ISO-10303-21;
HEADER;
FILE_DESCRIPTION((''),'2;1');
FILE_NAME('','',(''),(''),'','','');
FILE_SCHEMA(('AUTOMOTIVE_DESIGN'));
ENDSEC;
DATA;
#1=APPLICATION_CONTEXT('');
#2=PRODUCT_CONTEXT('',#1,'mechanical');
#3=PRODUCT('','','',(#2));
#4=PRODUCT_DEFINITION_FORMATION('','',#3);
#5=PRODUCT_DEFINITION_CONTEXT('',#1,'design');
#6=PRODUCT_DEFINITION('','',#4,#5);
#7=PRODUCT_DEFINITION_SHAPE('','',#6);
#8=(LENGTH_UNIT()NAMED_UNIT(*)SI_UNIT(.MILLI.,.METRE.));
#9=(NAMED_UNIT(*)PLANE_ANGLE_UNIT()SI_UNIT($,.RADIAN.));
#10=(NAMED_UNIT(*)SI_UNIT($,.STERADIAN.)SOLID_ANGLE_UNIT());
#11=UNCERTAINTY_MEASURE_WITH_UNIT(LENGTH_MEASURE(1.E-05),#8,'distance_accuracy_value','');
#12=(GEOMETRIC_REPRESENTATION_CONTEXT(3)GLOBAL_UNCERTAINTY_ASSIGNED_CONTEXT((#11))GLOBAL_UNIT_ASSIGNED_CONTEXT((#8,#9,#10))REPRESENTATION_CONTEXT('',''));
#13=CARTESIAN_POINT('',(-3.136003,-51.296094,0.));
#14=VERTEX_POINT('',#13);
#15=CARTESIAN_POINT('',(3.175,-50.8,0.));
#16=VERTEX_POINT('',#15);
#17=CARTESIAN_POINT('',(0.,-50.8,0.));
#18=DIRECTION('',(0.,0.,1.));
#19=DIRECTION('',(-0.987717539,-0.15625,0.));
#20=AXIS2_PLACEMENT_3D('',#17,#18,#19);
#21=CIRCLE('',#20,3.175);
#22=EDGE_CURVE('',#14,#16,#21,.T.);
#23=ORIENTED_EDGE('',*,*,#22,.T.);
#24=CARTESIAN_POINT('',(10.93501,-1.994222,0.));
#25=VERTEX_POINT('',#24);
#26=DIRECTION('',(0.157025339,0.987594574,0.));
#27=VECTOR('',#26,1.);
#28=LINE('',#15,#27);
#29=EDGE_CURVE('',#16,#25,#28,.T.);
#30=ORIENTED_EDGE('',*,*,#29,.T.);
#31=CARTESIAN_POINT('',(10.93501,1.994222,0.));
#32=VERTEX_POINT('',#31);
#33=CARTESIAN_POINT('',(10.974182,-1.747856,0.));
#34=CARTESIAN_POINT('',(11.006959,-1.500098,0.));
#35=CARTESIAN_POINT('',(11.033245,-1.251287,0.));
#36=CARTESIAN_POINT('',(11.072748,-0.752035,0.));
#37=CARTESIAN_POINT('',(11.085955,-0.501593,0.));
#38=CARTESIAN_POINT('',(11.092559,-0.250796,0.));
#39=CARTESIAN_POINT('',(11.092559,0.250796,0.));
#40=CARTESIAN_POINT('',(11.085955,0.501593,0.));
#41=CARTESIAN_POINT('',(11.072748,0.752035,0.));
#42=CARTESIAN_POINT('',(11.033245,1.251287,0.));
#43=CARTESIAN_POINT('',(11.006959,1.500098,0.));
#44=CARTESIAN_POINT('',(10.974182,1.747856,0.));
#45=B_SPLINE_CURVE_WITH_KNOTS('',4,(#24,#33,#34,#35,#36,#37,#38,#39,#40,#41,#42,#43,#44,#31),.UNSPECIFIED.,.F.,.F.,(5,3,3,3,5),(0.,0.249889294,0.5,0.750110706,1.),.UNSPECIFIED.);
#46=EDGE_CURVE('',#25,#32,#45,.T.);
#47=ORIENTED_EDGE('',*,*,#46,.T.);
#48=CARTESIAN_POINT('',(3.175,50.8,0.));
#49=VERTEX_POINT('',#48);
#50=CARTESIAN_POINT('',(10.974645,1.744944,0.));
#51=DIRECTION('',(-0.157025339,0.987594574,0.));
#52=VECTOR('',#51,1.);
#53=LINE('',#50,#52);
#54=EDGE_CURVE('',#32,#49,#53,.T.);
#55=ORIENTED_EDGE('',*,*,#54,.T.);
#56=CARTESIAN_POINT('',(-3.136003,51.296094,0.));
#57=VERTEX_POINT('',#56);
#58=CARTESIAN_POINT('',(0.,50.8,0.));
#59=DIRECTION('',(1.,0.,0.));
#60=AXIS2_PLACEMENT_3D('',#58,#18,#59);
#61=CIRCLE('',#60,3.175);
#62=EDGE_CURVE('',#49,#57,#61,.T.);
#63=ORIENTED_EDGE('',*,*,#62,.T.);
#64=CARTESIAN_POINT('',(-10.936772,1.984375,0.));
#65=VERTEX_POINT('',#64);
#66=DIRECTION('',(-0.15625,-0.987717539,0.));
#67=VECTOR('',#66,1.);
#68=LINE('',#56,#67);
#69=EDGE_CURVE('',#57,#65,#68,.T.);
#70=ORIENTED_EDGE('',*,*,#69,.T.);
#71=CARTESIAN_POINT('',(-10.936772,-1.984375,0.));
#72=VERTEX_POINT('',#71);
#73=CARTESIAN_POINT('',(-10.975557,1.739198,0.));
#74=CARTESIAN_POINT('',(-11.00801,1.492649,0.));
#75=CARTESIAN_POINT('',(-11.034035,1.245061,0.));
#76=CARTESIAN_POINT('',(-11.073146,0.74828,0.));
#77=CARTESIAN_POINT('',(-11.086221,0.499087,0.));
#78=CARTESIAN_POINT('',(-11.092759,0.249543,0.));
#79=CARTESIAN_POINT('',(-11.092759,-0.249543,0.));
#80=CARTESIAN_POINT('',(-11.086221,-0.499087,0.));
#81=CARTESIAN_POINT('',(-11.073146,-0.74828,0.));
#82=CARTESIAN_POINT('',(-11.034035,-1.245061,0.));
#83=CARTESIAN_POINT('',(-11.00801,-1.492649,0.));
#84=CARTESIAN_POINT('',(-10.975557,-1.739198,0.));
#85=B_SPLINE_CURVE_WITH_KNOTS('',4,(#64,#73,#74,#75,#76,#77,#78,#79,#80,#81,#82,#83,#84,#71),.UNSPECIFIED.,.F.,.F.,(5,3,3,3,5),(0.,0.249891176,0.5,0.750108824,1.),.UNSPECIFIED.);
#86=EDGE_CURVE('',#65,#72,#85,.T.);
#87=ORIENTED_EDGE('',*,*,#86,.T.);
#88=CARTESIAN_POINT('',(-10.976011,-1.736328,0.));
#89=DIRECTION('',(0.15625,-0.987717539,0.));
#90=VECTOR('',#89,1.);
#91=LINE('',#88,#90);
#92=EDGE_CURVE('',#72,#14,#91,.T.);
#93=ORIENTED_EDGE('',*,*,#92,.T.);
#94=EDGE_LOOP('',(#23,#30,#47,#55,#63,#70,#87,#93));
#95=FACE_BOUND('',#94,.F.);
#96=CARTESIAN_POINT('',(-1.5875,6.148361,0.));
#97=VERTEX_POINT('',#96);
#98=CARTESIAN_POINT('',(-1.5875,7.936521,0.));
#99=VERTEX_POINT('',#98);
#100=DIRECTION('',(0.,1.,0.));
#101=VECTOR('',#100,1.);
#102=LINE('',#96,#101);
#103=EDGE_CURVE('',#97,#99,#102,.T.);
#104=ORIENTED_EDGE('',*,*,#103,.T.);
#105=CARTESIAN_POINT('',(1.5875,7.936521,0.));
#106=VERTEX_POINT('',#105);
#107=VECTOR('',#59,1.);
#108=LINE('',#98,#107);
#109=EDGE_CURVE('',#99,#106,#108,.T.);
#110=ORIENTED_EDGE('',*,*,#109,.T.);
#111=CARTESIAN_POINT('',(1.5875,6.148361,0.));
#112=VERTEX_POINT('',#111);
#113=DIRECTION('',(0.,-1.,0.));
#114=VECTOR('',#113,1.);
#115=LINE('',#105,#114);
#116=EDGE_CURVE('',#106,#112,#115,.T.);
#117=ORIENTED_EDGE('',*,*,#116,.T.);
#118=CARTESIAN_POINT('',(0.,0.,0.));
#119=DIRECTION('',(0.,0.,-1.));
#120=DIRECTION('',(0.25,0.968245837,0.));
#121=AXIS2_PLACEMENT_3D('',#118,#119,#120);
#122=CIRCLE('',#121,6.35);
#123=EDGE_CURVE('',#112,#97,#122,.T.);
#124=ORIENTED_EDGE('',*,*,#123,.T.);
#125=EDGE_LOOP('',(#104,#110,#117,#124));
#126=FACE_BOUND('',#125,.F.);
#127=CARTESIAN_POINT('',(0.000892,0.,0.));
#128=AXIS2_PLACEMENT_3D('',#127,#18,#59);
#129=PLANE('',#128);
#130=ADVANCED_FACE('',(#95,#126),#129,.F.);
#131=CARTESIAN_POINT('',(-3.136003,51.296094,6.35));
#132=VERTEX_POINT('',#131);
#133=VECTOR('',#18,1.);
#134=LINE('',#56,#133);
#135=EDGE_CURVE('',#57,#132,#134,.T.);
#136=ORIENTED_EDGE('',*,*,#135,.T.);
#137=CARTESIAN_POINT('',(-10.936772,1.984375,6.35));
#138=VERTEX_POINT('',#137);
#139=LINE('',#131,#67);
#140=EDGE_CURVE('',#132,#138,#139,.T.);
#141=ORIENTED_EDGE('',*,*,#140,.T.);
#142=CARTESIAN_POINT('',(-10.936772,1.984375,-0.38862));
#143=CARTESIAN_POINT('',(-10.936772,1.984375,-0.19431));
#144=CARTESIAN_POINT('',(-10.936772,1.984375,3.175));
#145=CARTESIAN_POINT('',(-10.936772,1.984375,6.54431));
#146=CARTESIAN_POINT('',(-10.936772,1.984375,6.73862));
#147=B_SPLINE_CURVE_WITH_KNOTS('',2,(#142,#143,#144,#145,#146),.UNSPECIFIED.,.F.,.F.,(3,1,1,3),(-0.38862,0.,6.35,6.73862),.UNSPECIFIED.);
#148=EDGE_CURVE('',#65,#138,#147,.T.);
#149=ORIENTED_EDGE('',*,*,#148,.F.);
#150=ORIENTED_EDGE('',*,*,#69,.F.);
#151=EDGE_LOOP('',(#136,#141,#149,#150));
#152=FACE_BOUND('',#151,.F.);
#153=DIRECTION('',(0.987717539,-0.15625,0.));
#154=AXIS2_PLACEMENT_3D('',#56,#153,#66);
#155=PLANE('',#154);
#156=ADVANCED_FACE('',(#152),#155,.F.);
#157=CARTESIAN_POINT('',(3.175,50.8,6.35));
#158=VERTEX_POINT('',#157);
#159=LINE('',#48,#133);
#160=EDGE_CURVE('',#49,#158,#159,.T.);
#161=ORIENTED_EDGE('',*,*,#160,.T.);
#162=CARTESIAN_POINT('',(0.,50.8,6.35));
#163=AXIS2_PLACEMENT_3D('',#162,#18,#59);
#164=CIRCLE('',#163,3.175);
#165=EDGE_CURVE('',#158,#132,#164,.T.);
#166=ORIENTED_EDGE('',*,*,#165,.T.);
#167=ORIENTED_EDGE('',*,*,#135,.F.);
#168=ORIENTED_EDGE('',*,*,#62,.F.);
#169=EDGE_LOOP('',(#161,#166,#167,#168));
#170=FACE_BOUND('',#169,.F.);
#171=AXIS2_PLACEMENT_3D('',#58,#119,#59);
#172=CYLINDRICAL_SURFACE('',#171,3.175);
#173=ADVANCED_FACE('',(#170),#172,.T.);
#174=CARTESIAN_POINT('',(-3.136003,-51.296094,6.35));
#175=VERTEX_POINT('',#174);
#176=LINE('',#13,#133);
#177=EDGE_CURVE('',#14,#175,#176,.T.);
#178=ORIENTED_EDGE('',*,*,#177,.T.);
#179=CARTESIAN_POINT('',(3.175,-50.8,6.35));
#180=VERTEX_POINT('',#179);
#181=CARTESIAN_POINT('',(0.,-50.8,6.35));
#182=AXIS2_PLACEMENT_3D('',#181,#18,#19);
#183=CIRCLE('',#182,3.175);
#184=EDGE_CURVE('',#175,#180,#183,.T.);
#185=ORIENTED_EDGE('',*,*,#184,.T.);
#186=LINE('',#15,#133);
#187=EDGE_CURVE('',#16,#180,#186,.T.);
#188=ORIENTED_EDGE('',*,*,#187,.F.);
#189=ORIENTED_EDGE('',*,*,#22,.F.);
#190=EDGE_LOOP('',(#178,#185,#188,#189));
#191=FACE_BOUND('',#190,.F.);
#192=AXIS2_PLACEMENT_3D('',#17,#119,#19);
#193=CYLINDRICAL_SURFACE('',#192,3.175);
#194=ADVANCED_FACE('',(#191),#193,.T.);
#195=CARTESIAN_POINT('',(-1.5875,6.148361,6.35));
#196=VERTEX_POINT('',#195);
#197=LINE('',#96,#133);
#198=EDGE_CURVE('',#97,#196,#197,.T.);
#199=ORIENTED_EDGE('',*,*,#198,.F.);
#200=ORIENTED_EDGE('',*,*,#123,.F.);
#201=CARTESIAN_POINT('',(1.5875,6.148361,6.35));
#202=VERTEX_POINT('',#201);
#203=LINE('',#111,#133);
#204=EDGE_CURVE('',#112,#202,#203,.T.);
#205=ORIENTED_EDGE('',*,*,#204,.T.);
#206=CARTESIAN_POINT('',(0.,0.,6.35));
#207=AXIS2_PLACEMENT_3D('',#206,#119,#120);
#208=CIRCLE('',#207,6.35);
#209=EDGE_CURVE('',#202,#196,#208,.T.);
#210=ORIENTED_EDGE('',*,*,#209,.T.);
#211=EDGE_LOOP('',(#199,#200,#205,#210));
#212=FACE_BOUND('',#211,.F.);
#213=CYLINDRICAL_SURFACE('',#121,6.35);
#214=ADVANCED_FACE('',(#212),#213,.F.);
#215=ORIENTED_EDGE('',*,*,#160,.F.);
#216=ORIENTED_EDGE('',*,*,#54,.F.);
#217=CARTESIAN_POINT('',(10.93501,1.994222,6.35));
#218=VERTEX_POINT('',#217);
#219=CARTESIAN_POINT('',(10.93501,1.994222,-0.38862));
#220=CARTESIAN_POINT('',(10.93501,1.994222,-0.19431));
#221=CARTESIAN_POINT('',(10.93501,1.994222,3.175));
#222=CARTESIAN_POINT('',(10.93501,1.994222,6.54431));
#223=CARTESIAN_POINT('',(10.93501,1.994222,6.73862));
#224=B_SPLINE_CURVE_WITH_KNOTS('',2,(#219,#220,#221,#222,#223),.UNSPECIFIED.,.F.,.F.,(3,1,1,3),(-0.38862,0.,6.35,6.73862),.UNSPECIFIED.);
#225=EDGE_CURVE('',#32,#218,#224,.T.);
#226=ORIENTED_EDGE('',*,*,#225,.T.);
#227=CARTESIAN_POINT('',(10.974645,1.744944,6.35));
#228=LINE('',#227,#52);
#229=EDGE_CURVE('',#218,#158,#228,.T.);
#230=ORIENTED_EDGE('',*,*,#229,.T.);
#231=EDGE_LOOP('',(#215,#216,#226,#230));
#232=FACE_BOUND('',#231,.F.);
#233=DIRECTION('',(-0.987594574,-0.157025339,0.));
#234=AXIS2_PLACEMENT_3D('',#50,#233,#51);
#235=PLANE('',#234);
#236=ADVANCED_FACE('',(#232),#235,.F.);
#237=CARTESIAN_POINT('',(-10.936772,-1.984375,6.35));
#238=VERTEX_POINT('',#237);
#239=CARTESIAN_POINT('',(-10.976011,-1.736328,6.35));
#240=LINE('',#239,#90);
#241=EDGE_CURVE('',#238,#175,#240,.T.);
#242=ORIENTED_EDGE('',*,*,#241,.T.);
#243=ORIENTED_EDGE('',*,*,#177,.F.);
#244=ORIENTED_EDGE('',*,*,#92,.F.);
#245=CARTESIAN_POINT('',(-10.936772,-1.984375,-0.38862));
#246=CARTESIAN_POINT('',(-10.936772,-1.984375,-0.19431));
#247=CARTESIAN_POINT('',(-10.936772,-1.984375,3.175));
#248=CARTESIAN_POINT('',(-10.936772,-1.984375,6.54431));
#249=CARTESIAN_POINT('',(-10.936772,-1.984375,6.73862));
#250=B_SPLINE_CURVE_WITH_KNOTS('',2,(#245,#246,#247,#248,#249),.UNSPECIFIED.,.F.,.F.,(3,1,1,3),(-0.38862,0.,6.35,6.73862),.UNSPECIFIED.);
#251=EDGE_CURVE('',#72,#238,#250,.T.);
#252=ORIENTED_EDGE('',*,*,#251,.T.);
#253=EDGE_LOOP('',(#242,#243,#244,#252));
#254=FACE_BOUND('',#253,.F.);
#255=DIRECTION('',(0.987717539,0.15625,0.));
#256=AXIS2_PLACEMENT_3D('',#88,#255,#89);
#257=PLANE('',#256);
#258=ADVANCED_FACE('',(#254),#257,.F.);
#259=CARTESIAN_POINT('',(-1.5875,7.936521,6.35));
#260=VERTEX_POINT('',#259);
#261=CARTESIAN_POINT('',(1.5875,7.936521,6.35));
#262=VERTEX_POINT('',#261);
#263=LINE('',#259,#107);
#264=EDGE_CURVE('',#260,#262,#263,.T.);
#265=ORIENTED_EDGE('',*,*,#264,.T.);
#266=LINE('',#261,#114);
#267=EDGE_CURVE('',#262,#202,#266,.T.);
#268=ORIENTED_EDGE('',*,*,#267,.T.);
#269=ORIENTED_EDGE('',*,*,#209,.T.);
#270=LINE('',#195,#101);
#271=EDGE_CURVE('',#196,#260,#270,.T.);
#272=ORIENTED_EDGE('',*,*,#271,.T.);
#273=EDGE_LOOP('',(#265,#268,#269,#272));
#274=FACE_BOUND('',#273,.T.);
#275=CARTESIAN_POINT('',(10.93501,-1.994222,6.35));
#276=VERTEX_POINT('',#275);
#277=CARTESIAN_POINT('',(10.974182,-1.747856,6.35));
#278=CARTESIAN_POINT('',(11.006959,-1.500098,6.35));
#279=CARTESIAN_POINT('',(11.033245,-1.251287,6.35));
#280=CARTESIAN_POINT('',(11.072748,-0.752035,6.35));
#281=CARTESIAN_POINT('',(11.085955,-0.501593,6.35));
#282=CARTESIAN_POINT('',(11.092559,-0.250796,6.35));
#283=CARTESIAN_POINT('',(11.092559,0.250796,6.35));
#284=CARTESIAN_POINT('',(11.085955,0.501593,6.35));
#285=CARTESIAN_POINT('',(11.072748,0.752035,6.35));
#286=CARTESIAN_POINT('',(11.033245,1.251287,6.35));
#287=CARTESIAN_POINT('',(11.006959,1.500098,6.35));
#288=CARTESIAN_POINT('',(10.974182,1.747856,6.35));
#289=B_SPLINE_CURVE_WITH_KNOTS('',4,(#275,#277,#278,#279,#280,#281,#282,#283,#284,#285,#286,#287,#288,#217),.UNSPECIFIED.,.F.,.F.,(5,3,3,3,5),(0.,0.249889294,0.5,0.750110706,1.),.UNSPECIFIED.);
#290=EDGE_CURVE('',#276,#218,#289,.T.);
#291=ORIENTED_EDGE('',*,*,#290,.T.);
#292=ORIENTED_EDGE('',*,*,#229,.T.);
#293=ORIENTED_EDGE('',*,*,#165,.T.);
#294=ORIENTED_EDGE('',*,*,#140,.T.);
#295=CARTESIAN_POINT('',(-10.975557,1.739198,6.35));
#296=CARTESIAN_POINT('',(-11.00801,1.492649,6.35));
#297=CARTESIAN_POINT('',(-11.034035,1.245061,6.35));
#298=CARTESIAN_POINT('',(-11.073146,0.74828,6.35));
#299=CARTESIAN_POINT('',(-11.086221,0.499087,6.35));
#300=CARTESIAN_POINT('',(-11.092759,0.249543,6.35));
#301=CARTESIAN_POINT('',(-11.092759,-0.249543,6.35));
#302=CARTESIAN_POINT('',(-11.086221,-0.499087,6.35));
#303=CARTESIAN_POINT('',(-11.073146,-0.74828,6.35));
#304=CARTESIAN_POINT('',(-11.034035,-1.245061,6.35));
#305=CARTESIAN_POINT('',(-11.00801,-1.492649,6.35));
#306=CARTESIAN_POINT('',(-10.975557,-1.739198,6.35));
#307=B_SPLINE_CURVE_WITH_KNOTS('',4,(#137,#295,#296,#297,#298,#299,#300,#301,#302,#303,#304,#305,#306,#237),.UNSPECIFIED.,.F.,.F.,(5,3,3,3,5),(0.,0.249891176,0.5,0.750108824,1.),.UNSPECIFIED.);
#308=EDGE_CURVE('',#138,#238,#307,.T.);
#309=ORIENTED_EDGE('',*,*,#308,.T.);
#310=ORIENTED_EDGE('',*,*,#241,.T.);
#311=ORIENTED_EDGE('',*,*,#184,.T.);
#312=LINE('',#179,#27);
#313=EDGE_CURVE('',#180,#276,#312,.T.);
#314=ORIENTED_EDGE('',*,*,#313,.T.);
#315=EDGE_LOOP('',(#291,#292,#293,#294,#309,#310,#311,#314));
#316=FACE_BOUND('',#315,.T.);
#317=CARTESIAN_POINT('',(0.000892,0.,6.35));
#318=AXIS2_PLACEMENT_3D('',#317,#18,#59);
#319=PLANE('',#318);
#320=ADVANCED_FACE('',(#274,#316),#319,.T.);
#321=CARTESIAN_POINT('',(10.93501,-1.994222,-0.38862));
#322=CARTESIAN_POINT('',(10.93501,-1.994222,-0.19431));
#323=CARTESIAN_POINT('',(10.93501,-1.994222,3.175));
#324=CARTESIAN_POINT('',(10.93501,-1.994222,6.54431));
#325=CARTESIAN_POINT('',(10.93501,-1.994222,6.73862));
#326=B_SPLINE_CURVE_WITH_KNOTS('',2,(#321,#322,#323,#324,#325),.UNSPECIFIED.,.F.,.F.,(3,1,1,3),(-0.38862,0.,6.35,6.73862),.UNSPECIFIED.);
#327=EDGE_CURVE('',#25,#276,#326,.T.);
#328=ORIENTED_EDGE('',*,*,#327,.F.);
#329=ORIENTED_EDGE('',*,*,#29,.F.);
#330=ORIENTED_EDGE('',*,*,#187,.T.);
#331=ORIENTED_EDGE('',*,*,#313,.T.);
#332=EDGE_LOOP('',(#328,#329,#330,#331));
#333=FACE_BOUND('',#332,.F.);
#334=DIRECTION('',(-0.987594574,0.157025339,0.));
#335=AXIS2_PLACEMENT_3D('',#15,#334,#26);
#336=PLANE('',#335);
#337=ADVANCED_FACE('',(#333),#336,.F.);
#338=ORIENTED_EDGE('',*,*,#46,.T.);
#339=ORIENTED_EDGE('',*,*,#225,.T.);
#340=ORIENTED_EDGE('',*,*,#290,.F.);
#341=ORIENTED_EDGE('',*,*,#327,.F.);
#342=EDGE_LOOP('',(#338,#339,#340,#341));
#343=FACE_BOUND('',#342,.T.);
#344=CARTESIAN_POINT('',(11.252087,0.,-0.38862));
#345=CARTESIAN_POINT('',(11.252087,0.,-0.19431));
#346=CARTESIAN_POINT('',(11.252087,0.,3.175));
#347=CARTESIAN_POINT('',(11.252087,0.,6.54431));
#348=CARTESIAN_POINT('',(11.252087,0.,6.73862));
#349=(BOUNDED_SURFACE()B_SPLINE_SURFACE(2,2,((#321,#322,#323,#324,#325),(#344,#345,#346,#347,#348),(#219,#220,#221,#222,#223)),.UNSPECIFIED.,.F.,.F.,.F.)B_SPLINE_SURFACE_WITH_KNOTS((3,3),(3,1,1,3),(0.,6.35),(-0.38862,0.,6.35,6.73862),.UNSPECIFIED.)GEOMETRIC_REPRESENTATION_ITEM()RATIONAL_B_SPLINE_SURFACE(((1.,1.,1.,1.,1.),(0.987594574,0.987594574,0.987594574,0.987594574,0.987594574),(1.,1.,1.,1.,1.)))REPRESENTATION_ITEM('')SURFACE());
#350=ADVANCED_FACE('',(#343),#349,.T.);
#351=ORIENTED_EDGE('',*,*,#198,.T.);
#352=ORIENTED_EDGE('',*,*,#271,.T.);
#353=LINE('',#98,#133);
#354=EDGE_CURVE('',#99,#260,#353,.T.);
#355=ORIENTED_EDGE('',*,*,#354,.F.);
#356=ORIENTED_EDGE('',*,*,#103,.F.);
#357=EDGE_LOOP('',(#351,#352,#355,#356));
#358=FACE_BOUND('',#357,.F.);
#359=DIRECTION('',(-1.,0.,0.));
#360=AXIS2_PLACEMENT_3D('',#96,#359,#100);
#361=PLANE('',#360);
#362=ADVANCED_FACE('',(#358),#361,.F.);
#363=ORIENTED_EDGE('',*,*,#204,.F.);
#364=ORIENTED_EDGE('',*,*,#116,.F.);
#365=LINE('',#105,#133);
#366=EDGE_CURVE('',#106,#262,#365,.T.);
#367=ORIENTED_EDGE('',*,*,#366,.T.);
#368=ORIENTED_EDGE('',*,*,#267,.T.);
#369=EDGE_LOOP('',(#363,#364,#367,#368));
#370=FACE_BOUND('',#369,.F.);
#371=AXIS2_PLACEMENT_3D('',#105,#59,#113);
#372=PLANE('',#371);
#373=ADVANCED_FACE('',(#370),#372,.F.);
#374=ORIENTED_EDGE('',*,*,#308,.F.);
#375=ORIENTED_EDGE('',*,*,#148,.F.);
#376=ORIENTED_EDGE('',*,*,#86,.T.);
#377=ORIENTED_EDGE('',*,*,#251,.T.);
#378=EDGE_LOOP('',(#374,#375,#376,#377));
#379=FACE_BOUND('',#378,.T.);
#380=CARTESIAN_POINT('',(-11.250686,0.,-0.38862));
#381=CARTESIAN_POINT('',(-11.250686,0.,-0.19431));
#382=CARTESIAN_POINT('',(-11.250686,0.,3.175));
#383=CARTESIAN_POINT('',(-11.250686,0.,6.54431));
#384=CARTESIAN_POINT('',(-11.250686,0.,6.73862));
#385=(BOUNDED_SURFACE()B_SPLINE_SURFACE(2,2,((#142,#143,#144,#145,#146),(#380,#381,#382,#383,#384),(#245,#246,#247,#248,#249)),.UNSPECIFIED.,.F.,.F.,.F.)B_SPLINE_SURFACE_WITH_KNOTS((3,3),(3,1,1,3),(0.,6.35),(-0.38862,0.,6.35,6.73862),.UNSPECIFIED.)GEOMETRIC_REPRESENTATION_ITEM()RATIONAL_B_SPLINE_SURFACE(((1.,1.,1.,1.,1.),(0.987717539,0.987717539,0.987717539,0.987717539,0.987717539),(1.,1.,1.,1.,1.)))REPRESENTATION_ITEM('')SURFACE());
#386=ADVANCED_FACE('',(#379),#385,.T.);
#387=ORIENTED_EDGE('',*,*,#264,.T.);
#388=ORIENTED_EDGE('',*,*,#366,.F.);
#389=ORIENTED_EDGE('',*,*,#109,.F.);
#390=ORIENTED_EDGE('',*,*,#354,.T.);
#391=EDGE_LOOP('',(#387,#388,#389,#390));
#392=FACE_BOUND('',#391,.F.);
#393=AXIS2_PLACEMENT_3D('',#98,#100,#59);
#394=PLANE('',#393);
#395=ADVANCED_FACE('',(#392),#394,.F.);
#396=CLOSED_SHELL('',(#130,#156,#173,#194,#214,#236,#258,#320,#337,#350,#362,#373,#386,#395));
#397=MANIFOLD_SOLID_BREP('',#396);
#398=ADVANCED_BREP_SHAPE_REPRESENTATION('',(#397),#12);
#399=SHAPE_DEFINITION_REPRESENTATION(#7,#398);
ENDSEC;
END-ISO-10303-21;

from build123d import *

# Parameters (mm, degrees)
F1_DEPTH = 6.35
F2_R     = 12.7


with BuildPart() as f1:
    # F0 (on Top) → F1 (new body)
    with BuildSketch(Plane.XY):
        with BuildLine():
            ThreePointArc((10.9746446845, -1.744944211), (11.0779825624, -0.875190606), (11.1125, 0))
            ThreePointArc((11.1125, 0), (11.0779825682, 0.8751905326), (10.9746447076, 1.7449440655))
            ThreePointArc((10.9746447076, 1.7449440655), (-0.0043616995, 11.112499144), (-10.9760111207, 1.7363283471))
            ThreePointArc((-10.9760111207, 1.7363283471), (-11.1125, 6.19e-08), (-10.97601114, -1.7363282248))
            ThreePointArc((-10.97601114, -1.7363282248), (-0.004361835, -11.112499144), (10.9746446845, -1.744944211))
        make_face()
        with BuildLine():
            ThreePointArc((1.5875, 6.1483610621), (0, -6.35), (-1.5875, 6.1483610621))
            Line((-1.5875, 6.1483610621), (-1.5875, 7.9365210621))
            Line((-1.5875, 7.9365210621), (1.5875, 7.9365210621))
            Line((1.5875, 7.9365210621), (1.5875, 6.1483610621))
        make_face(mode=Mode.SUBTRACT)
        with BuildLine():
            ThreePointArc((10.9746447076, 1.7449440655), (11.0779825682, 0.8751905326), (11.1125, 0))
            ThreePointArc((11.1125, 0), (11.0779825624, -0.875190606), (10.9746446845, -1.744944211))
            Line((10.9746446845, -1.744944211), (11.2520869302, 0))
            Line((11.2520869302, 0), (10.9746447076, 1.7449440655))
        make_face()
        with BuildLine():
            ThreePointArc((-10.9760111207, 1.7363283471), (-0.0043616995, 11.112499144), (10.9746447076, 1.7449440655))
            Line((10.9746447076, 1.7449440655), (3.175, 50.8))
            ThreePointArc((3.175, 50.8), (-0.2488120577, 47.6347642173), (-3.1360031874, 51.29609375))
            Line((-3.1360031874, 51.29609375), (-10.9760111207, 1.7363283471))
        make_face()
        with BuildLine():
            Line((3.175, -50.8), (10.9746446845, -1.744944211))
            ThreePointArc((10.9746446845, -1.744944211), (-0.004361835, -11.112499144), (-10.97601114, -1.7363282248))
            Line((-10.97601114, -1.7363282248), (-3.1360031874, -51.29609375))
            ThreePointArc((-3.1360031874, -51.29609375), (-0.2488120577, -47.6347642173), (3.175, -50.8))
        make_face()
        with BuildLine():
            ThreePointArc((-10.97601114, -1.7363282248), (-11.1125, 6.19e-08), (-10.9760111207, 1.7363283471))
            Line((-10.9760111207, 1.7363283471), (-11.2506861097, 0))
            Line((-11.2506861097, 0), (-10.97601114, -1.7363282248))
        make_face()
        with BuildLine():
            ThreePointArc((-3.1360031874, 51.29609375), (-0.2488120577, 47.6347642173), (3.175, 50.8))
            ThreePointArc((3.175, 50.8), (0.2488120577, 53.9652357827), (-3.1360031874, 51.29609375))
        make_face()
        with BuildLine():
            ThreePointArc((-3.1360031874, -51.29609375), (0.2488120577, -53.9652357827), (3.175, -50.8))
            ThreePointArc((3.175, -50.8), (-0.2488120577, -47.6347642173), (-3.1360031874, -51.29609375))
        make_face()
    extrude(amount=F1_DEPTH)

    # F2
    f2_edges = [f1.edges().sort_by_distance(p)[0] for p in [
        (-11.250686, 0, 3.175),
        (11.252087, 0, 3.175),
    ]]
    fillet(f2_edges, radius=F2_R)


solid = f1.part
